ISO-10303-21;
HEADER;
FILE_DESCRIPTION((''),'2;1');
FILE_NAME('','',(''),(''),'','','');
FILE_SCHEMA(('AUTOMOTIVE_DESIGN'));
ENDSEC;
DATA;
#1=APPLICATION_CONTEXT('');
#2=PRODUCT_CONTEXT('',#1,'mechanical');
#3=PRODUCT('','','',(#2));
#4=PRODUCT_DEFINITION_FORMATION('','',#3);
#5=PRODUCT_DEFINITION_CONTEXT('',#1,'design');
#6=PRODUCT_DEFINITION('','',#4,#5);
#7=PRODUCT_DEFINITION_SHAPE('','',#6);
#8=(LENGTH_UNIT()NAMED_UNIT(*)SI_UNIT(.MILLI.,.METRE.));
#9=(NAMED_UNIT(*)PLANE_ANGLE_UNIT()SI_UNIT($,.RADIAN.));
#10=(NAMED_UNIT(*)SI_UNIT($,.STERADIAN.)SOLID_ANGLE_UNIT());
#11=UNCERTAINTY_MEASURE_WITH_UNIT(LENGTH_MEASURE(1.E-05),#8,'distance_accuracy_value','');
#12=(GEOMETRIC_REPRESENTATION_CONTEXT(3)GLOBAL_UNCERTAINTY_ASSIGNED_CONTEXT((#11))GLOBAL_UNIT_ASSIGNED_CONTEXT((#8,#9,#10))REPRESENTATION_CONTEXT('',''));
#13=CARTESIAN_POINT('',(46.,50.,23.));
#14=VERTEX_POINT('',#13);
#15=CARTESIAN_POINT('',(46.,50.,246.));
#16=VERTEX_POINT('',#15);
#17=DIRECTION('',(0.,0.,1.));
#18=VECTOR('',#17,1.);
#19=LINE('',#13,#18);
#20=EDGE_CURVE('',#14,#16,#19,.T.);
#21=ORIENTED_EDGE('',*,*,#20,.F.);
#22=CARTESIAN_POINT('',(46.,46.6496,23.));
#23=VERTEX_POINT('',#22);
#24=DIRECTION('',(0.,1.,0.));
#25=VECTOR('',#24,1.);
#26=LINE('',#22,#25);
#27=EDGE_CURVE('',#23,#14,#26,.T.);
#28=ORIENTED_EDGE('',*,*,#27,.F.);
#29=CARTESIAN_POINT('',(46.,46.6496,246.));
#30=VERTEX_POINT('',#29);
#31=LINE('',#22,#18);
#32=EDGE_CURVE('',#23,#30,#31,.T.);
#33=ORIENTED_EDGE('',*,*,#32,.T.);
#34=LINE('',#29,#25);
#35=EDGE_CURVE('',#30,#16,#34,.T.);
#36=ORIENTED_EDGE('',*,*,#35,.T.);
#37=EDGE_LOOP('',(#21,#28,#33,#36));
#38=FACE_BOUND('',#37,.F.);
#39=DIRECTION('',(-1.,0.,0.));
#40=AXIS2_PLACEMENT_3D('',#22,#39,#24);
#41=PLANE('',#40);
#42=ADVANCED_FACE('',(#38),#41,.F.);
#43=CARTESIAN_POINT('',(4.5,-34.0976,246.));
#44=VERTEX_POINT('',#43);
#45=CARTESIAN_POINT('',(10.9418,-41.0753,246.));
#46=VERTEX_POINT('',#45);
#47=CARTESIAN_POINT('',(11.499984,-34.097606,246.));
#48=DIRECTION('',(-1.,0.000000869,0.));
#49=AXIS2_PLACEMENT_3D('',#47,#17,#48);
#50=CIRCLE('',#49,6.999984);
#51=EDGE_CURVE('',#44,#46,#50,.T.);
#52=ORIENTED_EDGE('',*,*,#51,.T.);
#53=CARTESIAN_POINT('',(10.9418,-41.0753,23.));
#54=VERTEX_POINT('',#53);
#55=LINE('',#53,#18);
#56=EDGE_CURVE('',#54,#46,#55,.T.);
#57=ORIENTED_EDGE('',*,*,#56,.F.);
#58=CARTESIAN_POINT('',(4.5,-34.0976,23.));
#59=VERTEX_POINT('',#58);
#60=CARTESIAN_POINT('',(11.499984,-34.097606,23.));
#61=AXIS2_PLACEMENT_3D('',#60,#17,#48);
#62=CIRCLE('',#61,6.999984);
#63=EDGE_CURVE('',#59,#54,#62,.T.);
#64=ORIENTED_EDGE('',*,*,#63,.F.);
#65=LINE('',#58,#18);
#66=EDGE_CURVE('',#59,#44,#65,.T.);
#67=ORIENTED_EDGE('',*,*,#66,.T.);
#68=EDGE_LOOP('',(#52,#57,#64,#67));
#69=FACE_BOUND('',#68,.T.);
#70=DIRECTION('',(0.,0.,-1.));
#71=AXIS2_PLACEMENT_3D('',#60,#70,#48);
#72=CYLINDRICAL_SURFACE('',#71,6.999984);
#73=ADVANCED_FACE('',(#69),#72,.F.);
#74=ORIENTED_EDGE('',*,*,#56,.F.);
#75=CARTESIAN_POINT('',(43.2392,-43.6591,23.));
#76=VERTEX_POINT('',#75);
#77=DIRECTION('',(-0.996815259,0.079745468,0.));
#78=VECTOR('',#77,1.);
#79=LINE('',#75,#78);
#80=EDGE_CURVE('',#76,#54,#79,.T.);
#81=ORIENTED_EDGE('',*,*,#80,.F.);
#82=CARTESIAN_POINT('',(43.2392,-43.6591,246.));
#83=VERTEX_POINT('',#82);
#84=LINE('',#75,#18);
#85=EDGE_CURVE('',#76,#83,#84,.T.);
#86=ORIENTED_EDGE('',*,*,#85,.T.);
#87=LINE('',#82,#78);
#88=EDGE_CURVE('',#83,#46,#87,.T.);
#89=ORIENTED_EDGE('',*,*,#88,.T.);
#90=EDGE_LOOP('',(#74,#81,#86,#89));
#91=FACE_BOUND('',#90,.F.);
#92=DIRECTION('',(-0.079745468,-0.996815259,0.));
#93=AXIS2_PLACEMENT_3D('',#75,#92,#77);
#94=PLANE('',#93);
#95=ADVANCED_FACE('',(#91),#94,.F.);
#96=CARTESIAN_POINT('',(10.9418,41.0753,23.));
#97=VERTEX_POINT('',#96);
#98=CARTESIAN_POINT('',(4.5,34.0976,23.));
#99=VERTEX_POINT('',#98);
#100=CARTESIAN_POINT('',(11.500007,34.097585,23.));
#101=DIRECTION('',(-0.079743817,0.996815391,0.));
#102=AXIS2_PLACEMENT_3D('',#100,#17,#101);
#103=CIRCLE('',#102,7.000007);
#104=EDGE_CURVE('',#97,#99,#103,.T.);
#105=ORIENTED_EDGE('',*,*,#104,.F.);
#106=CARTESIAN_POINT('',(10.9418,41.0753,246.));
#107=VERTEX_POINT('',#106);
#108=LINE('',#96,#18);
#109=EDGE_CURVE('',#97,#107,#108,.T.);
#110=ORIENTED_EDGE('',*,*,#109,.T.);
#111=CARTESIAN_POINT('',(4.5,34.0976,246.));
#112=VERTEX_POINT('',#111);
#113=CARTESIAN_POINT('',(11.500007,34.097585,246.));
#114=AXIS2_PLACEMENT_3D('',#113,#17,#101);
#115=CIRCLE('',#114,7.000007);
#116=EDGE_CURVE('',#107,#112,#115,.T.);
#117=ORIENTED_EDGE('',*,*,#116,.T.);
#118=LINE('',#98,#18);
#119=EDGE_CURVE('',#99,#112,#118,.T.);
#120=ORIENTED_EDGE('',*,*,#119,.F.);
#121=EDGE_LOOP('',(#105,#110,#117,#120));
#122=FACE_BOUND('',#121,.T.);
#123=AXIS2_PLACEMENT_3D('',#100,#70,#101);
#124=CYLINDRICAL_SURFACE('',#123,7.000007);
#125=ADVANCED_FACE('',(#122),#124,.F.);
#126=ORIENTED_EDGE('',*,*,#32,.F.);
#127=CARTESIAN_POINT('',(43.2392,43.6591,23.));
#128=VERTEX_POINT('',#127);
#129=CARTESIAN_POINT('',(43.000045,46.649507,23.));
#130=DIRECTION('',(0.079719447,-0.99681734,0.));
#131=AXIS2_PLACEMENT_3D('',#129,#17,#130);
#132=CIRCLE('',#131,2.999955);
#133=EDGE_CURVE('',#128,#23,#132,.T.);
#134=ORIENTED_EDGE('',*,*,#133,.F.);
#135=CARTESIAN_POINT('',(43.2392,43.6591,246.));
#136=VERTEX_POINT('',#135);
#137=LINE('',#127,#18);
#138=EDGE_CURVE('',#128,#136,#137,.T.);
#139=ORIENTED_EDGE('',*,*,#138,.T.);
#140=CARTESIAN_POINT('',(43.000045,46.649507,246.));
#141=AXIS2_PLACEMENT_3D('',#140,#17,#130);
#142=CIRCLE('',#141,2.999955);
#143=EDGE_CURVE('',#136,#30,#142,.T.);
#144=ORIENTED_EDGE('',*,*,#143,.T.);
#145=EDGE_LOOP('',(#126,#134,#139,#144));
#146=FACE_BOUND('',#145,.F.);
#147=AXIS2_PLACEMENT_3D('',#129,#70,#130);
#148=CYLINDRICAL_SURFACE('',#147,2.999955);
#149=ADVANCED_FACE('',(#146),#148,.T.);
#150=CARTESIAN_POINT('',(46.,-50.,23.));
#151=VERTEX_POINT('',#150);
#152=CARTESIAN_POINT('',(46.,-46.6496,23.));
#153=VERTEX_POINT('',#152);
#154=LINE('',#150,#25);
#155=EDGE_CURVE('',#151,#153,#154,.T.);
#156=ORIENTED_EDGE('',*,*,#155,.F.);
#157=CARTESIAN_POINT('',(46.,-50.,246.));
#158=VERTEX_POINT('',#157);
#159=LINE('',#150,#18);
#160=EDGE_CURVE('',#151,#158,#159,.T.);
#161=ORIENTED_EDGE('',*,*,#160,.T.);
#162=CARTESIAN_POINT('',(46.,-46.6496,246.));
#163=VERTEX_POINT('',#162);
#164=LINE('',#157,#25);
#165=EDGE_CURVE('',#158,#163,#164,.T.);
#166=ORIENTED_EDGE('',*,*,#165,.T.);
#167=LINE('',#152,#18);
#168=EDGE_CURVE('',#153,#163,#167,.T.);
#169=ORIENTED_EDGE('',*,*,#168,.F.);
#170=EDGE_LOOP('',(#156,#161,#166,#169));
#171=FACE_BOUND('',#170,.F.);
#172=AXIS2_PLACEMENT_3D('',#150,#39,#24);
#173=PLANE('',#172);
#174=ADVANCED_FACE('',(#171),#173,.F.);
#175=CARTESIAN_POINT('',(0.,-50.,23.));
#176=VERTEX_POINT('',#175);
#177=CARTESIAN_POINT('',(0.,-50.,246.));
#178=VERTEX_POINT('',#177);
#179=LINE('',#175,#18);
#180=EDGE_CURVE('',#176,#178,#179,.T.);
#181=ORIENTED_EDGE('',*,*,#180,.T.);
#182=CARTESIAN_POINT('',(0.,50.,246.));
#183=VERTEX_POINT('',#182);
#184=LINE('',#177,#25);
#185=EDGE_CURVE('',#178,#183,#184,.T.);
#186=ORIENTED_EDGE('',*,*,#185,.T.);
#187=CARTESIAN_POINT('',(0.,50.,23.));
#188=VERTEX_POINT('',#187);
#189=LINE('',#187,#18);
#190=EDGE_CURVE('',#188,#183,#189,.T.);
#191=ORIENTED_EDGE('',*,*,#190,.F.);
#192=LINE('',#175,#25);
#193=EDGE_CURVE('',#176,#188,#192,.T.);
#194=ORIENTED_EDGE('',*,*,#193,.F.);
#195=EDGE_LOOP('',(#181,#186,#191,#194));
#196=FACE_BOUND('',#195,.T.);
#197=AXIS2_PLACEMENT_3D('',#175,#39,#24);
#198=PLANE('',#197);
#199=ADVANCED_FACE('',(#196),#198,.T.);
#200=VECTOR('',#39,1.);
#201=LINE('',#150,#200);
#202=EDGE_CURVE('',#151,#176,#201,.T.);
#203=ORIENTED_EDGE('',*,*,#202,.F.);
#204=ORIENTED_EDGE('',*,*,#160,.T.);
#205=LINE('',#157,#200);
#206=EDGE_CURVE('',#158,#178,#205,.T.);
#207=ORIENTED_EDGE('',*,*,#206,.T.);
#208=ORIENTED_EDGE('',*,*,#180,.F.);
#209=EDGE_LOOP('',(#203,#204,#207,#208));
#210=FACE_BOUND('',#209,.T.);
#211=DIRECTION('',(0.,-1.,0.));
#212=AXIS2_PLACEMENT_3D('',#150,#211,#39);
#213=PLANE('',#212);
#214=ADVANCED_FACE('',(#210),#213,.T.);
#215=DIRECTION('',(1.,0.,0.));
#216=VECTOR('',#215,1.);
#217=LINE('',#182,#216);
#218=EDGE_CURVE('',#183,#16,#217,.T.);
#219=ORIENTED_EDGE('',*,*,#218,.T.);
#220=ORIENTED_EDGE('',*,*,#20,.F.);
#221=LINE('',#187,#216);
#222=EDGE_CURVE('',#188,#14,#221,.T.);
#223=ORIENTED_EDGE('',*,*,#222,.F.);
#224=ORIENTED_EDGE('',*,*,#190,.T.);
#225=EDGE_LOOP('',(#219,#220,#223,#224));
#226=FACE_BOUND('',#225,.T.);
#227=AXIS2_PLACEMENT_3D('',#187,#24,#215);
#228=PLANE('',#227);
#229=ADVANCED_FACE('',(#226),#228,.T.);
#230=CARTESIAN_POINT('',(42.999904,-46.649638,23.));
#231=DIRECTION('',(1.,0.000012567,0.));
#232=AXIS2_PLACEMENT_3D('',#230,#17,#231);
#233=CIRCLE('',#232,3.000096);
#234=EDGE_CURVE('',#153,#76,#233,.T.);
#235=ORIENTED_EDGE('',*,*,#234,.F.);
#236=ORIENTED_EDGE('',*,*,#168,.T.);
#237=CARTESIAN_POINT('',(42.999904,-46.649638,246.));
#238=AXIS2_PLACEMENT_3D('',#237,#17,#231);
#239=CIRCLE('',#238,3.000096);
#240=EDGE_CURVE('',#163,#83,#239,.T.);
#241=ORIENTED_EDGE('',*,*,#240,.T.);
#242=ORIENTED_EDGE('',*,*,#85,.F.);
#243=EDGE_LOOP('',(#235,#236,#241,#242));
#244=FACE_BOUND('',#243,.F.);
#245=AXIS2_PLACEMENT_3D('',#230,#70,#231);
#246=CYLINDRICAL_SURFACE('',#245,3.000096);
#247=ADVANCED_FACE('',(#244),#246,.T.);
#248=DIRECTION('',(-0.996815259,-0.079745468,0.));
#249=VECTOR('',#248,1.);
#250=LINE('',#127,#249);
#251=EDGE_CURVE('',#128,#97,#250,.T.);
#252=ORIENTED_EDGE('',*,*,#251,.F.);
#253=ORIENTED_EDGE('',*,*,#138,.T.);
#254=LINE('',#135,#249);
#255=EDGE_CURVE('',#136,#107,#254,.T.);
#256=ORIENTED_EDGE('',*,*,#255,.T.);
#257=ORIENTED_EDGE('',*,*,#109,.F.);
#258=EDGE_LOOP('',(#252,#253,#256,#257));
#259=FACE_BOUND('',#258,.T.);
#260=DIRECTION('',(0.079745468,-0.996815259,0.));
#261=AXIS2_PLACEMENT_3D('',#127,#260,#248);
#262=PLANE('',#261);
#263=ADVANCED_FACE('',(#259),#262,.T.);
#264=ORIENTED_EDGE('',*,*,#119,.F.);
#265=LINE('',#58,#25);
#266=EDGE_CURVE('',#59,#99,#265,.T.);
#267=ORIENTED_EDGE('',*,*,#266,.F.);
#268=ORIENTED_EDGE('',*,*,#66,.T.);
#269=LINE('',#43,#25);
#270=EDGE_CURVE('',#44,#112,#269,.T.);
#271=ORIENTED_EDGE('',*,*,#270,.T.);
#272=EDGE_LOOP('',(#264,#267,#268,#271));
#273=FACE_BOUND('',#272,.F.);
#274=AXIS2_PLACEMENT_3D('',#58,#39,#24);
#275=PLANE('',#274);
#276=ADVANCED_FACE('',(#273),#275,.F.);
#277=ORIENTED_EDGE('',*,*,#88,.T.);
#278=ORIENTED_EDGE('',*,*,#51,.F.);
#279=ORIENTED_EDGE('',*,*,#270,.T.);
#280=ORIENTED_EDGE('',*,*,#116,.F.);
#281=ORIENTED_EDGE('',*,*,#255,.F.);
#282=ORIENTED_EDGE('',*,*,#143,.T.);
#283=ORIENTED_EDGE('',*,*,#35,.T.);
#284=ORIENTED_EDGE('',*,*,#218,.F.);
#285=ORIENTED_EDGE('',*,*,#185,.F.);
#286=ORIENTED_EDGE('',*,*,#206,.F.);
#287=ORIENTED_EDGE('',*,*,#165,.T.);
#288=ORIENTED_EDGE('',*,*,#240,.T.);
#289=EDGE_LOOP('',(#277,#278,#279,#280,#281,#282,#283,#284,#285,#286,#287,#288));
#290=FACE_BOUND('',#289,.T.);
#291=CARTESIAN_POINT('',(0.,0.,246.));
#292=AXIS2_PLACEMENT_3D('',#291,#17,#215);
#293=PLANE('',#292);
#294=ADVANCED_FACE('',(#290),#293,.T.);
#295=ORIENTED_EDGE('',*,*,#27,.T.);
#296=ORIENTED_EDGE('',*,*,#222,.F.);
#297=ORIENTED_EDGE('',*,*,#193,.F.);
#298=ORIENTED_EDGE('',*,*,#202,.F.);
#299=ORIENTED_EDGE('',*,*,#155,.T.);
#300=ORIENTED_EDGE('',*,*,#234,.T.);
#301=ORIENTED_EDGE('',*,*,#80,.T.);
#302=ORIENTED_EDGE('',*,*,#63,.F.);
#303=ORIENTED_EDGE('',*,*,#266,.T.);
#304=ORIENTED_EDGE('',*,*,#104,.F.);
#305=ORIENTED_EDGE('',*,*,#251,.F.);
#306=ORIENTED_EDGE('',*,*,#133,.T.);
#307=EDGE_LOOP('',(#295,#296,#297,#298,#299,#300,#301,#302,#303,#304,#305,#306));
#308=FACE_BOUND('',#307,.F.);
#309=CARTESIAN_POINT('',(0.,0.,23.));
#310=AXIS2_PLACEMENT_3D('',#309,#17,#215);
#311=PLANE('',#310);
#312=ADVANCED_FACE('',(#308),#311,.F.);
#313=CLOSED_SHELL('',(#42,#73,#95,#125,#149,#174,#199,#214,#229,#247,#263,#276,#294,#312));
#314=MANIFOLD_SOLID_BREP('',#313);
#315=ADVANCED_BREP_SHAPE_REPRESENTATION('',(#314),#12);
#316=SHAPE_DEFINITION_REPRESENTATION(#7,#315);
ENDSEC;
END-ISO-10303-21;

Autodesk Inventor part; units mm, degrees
ref_plane "Начальная плоскость" through (0, 0, 23) normal (0, 0, 1) x (1, 0, 0)
ref_plane "Конечная плоскость" through (0, 0, 246) normal (0, 0, 1) x (1, 0, 0)
sketch "Эскиз" plane through (0, 0, 0) normal (0, 0, 1) x (1, 0, 0)
  line L0 (46, -50) -> (0, -50)
  line L1 (46, -50) -> (46, -46.6496)
  line L2 (43.2392, -43.6591) -> (10.9418, -41.0753)
  line L3 (4.5, -34.0976) -> (4.5, 34.0976)
  line L4 (43.2392, 43.6591) -> (10.9418, 41.0753)
  line L5 (46, 46.6496) -> (46, 50)
  line L6 (0, 50) -> (46, 50)
  line L7 (0, -50) -> (0, 50)
  arc A0 (4.5, -34.0976) -> (10.9418, -41.0753) centre (11.5, -34.0976) ccw
  arc A1 (10.9418, 41.0753) -> (4.5, 34.0976) centre (11.5, 34.0976) ccw
  arc A2 (46, -46.6496) -> (43.2392, -43.6591) centre (43, -46.6496) ccw
  arc A3 (43.2392, 43.6591) -> (46, 46.6496) centre (43, 46.6496) ccw
  line L8 (0, 70) -> (0, -70) construction
  line L9 (-9.3169, 0) -> (55.9016, 0) construction
  point P0 (46, -43.88)
  point P1 (4.5, -40.56)
  point P2 (4.5, 40.56)
  point P3 (46, 43.88)
  dimension "d3" = 46
  dimension "d5" = 4.5
  dimension "d7" = 100
  dimension "d9" = 9.44
  dimension "d11" = 9.44
  dimension "d13" = 6.12
  dimension "d15" = 6.12
  dimension "d22" = 7
  dimension "d23" = 3
  dimension "d24" = 50
  dimension "d25" = 0
extrude "Тело" add sketch "Эскиз" along normal up to surface (223 mm away) from surface at 23
sketch "Sketch3" plane through (0, 0, 0) normal (0, 0, 1) x (1, 0, 0)
  line L0 (0, 0) -> (10, 0)
ref_plane "Work Plane7" through (0, 0, 0) normal (0, -1, 0) x (1, 0, 0)
sketch "Sketch4" plane through (0, 0, 0) normal (0, -1, 0) x (1, 0, 0)
  line L0 (-2, 23) -> (12, 23)
  line L1 (-2, 246) -> (12, 246)
  dimension "d29" = 223
ref_plane "РабПлоскость8" through (169.5, -50, 246) normal (0, 0, 1) x (1, 0, 0)
split "Разделение1" plane through (169.5, -50, 246) removes the side toward (0, 0, 1)
ref_plane "РабПлоскость9" through (-479.5, -50, 23) normal (0, 0, -1) x (-1, 0, 0)
split "Разделение2" plane through (-479.5, -50, 23) removes the side toward (0, 0, -1)
equation "\"d3\" = b"
equation "\"d5\" = t1"
equation "\"d7\" = ParH"
equation "\"d9\" = msp_x1 + t2"
equation "\"d11\" = msp_x1 + t2"
equation "\"d13\" = -msp_x2 + t2"
equation "\"d15\" = -msp_x2 + t2"
equation "\"d22\" = R"
equation "\"d23\" = R1"
equation "\"d24\" = 0.5 * d7"
equation "\"d16\" = G_L"
equation "\"R1\" = 3"
equation "\"R\" = 7"
equation "\"t1\" = 4.5"
equation "\"t2\" = 7.6"
equation "\"ParH\" = 100"
equation "\"b\" = 46"
equation "\"msp_x1\" = 0.04 * b"
equation "\"msp_x2\" = -0.08 * t1 + 0.04 * b"
equation "\"G_L\" = d29"
equation "\"ex\" = 0"
equation "\"G_OFFSET_START\" = -23"
equation "\"G_OFFSET_END\" = -23"
equation "\"d26\" = -G_OFFSET_START"
equation "\"d27\" = G_OFFSET_END + B_L"
equation "\"B_L\" = 269"
properties part number "Швеллер 10U-223 ГОСТ 8240-97" material "Сталь, мягкая"
